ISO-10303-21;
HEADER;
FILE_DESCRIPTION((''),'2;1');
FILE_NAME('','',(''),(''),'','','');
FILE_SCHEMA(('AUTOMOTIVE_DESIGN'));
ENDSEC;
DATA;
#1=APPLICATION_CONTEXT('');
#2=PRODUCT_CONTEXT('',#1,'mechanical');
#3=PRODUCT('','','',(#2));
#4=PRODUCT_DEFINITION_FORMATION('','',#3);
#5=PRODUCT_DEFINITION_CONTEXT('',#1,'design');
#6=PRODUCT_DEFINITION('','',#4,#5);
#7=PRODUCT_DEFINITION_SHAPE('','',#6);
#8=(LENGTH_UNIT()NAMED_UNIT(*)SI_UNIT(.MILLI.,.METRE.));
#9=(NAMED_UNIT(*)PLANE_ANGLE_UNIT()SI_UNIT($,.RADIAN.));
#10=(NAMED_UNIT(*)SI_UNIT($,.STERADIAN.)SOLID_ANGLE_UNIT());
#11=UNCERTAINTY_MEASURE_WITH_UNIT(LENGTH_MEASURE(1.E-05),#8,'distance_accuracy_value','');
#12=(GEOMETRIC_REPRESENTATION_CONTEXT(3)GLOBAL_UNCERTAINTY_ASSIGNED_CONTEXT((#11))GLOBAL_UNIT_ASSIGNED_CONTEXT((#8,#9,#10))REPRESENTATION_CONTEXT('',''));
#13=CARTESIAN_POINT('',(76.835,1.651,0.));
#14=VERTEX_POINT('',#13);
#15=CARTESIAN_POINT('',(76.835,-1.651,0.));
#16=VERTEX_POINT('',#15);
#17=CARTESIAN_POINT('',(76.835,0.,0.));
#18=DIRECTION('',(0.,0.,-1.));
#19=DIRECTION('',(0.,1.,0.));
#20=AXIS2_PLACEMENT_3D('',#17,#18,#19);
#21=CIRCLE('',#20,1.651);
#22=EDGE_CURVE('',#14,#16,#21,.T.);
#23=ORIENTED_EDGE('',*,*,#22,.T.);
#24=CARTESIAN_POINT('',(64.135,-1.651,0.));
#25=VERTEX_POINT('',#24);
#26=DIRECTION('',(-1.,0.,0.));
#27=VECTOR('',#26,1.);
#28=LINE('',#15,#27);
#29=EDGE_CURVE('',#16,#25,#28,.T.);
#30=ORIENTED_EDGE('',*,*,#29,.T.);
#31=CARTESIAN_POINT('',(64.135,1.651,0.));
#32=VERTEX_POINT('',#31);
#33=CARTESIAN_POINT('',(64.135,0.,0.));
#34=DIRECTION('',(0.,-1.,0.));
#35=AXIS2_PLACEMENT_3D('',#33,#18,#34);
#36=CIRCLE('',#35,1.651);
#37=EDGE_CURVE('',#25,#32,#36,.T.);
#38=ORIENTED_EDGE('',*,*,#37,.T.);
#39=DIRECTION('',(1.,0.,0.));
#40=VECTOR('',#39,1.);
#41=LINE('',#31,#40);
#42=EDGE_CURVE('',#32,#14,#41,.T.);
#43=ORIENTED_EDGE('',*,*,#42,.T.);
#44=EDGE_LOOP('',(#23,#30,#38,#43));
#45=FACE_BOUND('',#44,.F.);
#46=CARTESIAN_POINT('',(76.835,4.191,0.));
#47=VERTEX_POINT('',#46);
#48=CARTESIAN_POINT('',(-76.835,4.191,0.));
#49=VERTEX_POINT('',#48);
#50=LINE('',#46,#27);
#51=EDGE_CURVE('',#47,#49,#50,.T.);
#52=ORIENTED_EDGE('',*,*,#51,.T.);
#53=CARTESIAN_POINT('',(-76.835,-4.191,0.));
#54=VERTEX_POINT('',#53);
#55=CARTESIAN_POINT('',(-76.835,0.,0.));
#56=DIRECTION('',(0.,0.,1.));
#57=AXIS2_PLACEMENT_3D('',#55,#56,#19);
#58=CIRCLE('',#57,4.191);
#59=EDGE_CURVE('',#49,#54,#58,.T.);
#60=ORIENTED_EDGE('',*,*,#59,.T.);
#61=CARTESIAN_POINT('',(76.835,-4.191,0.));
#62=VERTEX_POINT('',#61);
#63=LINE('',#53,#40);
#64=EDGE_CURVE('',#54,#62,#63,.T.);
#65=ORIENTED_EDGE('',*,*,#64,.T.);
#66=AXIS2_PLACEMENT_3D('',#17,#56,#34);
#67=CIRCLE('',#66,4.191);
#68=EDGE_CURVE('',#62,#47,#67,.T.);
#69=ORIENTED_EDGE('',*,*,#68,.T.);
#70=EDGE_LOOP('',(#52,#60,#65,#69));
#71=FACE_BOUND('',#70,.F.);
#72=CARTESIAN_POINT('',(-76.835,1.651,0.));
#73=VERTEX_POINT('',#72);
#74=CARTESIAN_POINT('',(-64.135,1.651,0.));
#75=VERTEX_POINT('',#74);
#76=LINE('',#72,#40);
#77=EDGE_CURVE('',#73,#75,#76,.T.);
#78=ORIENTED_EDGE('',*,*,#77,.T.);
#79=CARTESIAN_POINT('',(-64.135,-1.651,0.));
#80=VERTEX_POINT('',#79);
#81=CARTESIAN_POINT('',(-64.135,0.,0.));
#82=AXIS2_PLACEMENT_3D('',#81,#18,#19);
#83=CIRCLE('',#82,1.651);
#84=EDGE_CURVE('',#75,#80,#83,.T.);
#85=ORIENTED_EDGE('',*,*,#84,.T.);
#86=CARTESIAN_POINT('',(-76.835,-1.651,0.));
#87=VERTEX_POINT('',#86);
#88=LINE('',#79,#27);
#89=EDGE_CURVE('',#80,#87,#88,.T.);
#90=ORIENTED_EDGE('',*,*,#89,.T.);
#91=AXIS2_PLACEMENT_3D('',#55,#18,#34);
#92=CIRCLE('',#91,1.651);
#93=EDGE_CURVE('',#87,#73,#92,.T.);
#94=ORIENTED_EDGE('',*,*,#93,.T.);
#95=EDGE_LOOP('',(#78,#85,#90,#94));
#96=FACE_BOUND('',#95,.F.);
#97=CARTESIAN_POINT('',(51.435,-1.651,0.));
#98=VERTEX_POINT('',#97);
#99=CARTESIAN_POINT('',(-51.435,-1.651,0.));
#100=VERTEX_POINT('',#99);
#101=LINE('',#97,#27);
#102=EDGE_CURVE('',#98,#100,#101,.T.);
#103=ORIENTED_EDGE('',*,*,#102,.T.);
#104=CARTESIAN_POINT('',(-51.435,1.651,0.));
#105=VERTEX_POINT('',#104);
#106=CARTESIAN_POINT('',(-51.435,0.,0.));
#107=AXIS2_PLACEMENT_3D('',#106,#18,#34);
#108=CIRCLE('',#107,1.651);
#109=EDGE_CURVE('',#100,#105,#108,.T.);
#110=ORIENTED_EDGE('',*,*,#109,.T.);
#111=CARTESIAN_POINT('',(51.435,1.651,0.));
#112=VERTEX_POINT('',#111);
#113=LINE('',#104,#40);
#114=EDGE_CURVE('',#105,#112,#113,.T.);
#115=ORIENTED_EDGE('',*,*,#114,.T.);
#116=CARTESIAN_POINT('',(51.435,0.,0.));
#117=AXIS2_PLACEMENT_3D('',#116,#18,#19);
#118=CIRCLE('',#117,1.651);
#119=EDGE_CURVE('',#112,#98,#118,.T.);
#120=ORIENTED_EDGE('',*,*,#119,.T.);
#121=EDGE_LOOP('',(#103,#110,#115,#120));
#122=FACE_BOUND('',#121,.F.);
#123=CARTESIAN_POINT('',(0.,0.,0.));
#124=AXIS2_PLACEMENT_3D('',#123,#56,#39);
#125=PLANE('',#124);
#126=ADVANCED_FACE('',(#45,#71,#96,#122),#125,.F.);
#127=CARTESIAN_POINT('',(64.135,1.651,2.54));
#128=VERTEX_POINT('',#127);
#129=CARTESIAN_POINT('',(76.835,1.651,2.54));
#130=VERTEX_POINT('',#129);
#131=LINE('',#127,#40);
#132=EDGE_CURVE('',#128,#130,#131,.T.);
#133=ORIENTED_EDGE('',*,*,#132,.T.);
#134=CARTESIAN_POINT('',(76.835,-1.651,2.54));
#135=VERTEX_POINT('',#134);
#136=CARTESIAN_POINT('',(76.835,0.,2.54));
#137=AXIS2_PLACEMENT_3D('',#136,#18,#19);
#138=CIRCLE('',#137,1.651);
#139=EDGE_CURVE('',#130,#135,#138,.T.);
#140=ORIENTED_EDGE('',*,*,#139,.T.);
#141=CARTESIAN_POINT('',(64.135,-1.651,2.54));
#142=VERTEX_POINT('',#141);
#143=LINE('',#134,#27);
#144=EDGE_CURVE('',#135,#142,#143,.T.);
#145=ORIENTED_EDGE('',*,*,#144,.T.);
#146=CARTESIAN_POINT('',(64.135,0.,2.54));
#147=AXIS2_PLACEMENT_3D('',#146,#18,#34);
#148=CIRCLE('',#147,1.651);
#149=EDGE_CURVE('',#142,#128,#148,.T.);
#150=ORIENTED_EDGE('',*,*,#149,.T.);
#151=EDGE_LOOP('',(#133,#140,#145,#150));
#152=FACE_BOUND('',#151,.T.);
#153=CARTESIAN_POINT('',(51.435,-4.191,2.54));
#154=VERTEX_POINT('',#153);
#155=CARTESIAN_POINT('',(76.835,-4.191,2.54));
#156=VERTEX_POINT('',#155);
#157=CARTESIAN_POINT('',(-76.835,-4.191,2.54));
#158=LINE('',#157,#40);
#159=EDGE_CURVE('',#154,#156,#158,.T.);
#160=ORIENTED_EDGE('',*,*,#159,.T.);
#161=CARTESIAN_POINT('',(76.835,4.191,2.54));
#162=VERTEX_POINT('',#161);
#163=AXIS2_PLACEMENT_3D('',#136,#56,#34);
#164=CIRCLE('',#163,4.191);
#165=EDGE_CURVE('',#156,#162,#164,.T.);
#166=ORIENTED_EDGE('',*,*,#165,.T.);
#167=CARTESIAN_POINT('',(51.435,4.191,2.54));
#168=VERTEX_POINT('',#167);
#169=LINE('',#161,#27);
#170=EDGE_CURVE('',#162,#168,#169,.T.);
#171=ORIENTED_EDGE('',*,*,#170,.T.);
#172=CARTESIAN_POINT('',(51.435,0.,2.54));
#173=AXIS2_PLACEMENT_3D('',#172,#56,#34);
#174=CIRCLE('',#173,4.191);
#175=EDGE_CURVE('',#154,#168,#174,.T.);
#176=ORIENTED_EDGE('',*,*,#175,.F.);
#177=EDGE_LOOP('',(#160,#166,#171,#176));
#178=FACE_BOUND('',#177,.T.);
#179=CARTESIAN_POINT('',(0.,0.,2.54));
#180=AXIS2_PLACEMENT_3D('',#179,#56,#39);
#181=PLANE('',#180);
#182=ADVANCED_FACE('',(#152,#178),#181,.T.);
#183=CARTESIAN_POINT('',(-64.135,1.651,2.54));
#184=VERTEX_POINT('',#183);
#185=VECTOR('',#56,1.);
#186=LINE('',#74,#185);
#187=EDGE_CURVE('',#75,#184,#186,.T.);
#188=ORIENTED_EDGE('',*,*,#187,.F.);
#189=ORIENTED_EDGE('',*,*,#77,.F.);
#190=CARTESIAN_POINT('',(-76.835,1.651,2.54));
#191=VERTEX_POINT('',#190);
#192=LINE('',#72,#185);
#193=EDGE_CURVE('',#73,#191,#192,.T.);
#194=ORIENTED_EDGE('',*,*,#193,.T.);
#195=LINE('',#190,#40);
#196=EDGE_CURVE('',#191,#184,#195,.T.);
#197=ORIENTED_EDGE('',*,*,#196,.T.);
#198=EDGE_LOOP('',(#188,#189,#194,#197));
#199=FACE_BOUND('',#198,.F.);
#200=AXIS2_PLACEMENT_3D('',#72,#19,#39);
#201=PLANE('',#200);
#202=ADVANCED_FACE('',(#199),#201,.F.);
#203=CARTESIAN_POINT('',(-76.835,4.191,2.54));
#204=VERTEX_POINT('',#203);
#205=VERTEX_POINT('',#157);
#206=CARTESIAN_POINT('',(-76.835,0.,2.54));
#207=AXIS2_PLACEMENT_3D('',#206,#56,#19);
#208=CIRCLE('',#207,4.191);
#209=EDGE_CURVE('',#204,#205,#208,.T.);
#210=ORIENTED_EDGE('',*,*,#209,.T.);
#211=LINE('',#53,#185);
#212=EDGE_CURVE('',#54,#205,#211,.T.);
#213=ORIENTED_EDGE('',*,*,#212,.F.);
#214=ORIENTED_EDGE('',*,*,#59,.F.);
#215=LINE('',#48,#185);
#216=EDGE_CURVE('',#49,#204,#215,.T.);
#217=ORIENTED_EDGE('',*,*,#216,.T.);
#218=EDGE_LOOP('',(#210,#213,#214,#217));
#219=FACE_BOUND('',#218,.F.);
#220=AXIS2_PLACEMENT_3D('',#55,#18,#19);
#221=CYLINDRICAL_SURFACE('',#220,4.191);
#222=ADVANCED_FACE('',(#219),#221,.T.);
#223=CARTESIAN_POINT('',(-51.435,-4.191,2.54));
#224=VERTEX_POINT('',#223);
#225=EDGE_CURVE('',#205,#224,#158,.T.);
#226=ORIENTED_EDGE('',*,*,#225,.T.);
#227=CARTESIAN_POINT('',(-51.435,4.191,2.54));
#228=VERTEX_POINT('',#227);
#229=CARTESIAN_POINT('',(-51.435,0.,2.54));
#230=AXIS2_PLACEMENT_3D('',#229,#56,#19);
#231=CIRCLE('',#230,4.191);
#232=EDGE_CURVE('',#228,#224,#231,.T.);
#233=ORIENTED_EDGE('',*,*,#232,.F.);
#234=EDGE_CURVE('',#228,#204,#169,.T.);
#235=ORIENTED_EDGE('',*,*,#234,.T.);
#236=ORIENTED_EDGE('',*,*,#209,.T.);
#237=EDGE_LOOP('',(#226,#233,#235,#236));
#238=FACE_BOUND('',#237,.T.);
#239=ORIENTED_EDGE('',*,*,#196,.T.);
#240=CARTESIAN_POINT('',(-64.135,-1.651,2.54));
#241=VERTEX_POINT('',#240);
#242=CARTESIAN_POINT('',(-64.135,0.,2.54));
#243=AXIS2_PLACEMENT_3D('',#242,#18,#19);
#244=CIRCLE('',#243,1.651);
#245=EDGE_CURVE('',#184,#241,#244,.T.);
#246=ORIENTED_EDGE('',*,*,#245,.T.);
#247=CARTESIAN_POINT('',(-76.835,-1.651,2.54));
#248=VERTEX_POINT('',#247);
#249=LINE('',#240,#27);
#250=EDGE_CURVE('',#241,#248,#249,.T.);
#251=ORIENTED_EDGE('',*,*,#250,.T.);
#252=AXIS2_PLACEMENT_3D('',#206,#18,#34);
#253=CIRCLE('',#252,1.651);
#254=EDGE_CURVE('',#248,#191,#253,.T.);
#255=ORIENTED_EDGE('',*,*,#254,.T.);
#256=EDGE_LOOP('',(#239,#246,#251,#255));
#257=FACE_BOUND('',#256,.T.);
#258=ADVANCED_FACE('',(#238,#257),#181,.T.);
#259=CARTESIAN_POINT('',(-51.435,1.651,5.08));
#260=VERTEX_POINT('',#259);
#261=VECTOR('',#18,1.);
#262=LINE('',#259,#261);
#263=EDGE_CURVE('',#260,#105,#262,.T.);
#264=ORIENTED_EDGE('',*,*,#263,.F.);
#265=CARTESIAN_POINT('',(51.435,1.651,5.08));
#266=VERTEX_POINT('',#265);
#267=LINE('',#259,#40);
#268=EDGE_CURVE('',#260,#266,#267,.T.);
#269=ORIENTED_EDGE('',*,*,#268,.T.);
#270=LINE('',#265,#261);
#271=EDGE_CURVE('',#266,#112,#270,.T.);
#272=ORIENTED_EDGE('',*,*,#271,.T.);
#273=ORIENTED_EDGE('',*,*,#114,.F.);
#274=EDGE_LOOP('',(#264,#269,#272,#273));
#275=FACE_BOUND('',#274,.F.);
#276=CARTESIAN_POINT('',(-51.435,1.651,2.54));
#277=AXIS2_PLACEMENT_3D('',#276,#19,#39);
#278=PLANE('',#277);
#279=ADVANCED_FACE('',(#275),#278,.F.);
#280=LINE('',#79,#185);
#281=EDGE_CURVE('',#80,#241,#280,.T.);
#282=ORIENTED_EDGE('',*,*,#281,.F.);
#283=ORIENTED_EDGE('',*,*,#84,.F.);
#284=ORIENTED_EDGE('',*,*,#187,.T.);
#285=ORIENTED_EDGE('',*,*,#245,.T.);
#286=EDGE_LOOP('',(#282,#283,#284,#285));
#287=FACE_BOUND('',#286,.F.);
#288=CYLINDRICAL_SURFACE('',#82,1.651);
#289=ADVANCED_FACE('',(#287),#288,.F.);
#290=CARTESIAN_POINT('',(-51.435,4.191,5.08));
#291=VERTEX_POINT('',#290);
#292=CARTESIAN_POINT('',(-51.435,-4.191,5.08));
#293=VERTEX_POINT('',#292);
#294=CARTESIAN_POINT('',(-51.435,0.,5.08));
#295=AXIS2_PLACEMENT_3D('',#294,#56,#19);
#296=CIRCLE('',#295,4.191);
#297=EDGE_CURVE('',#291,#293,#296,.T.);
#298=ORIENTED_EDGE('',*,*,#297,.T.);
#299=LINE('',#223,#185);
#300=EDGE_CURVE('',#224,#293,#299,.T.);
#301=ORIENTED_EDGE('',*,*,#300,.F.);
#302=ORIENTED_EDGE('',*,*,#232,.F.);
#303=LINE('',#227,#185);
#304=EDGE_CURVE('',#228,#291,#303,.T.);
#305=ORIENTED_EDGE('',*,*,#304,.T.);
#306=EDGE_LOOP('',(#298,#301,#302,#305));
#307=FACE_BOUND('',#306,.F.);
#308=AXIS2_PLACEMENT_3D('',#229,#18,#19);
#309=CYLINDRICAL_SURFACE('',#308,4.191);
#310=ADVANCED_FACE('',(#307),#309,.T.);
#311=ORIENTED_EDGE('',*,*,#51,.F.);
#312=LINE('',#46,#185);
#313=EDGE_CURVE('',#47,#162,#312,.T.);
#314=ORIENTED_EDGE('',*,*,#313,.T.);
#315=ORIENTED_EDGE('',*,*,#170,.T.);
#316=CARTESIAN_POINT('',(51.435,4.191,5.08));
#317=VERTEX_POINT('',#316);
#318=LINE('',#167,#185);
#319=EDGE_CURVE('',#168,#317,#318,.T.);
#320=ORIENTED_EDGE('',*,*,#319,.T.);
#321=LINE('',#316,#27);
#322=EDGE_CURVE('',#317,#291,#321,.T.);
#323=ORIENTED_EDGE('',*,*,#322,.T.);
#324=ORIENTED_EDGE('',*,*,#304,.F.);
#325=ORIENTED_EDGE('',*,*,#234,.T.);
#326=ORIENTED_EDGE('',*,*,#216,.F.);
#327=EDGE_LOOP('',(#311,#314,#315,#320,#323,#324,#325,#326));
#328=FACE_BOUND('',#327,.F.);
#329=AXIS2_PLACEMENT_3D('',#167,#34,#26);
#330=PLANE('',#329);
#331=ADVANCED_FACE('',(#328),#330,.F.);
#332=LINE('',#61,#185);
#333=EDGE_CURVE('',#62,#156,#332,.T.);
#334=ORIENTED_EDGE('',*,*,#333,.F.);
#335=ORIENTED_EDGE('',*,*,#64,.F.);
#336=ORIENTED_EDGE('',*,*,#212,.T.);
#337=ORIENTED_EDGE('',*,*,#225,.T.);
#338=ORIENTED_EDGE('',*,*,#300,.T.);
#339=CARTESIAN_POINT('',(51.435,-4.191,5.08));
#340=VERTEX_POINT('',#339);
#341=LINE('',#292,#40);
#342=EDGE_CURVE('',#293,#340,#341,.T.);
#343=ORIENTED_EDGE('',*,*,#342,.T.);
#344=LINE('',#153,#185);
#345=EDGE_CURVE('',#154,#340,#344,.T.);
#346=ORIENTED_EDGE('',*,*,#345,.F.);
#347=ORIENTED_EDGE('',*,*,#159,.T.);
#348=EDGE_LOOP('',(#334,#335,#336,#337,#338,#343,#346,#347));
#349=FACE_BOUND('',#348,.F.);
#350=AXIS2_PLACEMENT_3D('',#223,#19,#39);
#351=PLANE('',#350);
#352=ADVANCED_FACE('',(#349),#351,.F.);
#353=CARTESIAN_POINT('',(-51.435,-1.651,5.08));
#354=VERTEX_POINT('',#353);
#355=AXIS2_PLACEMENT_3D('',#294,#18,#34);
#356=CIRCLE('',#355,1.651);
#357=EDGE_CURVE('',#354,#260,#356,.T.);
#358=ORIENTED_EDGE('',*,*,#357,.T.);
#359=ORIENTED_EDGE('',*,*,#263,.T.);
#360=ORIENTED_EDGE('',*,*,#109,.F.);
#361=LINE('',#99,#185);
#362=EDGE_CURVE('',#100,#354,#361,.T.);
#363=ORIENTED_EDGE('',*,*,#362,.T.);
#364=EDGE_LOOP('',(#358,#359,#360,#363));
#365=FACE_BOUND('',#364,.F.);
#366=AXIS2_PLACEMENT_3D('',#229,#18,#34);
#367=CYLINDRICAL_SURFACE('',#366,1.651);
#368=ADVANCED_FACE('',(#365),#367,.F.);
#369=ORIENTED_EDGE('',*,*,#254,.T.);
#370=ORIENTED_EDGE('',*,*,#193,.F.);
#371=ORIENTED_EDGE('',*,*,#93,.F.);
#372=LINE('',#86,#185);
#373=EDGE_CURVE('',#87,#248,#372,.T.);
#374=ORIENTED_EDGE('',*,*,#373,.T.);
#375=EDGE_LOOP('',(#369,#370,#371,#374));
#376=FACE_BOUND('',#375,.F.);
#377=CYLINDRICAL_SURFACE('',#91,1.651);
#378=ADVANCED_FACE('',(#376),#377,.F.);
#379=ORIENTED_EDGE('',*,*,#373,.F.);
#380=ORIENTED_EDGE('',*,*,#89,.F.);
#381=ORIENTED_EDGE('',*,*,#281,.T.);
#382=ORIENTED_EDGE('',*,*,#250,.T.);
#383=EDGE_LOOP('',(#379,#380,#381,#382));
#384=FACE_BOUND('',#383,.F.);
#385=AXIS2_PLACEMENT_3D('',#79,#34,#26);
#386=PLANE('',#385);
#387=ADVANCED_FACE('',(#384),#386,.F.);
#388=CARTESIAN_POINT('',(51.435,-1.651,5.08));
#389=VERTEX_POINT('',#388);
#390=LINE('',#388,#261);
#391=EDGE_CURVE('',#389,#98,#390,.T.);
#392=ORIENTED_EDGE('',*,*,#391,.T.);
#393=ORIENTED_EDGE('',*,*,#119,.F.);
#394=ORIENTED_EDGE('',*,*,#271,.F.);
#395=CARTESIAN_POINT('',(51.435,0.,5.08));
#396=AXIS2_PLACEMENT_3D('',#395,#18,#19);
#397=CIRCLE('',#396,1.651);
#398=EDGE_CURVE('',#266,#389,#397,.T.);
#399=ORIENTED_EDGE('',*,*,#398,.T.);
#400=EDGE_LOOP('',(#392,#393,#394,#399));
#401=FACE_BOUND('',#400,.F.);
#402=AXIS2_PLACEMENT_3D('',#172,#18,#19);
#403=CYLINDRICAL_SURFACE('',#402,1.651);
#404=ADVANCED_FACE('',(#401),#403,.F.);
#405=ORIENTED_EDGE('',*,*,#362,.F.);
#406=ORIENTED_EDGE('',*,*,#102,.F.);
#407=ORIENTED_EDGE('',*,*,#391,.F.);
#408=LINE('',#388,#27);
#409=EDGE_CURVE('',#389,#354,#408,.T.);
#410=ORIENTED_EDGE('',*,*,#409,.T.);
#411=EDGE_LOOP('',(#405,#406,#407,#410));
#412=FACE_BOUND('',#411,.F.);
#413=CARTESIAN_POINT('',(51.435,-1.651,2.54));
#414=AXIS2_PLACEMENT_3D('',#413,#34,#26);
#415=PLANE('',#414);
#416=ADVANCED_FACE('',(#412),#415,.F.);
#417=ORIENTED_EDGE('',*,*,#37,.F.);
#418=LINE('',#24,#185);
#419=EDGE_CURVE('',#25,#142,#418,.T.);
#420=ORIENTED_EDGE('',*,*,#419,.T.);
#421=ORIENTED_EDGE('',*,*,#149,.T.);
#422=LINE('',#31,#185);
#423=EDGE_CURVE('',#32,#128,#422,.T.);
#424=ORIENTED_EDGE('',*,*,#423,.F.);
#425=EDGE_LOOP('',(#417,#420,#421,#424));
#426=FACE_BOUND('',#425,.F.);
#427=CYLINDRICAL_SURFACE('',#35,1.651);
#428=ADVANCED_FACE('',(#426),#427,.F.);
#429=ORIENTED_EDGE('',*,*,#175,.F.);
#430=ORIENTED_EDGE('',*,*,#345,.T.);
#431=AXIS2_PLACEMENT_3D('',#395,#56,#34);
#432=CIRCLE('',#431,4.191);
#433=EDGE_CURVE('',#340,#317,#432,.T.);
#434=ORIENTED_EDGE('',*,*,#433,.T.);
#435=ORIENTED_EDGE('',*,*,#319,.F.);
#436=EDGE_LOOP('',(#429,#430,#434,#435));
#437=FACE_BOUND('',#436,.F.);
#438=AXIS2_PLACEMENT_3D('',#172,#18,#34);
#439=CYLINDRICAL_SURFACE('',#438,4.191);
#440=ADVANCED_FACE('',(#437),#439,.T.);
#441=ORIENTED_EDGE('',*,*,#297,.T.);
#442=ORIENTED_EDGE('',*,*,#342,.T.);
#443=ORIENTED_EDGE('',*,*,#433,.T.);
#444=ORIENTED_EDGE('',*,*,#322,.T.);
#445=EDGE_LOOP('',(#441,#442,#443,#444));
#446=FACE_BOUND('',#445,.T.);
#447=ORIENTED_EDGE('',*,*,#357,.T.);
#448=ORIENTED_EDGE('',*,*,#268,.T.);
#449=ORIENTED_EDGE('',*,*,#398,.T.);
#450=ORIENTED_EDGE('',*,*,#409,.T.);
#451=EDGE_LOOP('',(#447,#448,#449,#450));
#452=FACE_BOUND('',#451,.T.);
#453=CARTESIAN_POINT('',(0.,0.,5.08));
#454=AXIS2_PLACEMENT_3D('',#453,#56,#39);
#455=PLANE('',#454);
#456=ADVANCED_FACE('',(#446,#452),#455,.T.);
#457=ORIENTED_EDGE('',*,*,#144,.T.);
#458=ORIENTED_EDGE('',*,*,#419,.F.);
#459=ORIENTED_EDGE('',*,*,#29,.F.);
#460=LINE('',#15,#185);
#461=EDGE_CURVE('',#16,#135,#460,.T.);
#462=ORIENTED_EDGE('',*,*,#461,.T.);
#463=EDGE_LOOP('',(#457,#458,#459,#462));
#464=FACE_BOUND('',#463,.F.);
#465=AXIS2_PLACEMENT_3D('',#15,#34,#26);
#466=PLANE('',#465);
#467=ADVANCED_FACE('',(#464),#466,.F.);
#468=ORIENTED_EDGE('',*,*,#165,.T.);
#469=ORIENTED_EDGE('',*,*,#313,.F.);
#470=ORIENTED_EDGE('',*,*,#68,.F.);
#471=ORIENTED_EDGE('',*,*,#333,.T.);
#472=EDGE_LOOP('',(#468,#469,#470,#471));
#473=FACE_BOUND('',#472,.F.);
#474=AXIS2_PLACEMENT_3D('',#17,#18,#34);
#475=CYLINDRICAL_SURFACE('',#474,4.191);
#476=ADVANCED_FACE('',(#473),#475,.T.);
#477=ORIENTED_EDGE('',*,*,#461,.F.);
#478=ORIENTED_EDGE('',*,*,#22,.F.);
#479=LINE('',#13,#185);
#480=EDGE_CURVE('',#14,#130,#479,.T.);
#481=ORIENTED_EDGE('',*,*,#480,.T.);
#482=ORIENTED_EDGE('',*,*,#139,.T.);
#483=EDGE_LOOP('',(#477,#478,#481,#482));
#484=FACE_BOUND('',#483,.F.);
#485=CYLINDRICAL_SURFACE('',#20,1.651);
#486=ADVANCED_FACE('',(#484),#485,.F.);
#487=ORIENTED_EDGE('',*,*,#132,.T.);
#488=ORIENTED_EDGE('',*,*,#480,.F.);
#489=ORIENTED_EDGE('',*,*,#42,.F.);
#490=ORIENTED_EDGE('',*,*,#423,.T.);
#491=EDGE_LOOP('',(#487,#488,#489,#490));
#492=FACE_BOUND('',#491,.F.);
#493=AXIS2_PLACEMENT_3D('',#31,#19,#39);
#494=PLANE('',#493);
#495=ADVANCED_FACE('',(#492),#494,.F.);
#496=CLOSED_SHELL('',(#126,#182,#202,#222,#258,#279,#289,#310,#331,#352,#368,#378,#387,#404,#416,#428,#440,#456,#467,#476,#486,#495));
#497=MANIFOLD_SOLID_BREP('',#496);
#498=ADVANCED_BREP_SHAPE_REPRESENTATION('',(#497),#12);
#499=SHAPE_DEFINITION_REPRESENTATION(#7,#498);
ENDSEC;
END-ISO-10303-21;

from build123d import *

# Parameters (mm, degrees)
F1_DEPTH = 2.54
F3_DEPTH = 2.54


with BuildPart() as f1:
    # F0 (on Top) → F1 (new body)
    with BuildSketch(Plane.XY):
        with BuildLine():
            Line((76.835, 4.191), (-76.835, 4.191))
            ThreePointArc((-76.835, 4.191), (-81.026, 0), (-76.835, -4.191))
            Line((-76.835, -4.191), (76.835, -4.191))
            ThreePointArc((76.835, -4.191), (81.026, 0), (76.835, 4.191))
        make_face()
        with BuildLine():
            ThreePointArc((-76.835, -1.651), (-78.486, 0), (-76.835, 1.651))
            Line((-76.835, 1.651), (-64.135, 1.651))
            ThreePointArc((-64.135, 1.651), (-62.484, 0), (-64.135, -1.651))
            Line((-64.135, -1.651), (-76.835, -1.651))
        make_face(mode=Mode.SUBTRACT)
        with BuildLine():
            Line((51.435, -1.651), (-51.435, -1.651))
            ThreePointArc((-51.435, -1.651), (-53.086, 0), (-51.435, 1.651))
            Line((-51.435, 1.651), (51.435, 1.651))
            ThreePointArc((51.435, 1.651), (53.086, 0), (51.435, -1.651))
        make_face(mode=Mode.SUBTRACT)
        with BuildLine():
            ThreePointArc((76.835, 1.651), (78.486, 0), (76.835, -1.651))
            Line((76.835, -1.651), (64.135, -1.651))
            ThreePointArc((64.135, -1.651), (62.484, 0), (64.135, 1.651))
            Line((64.135, 1.651), (76.835, 1.651))
        make_face(mode=Mode.SUBTRACT)
    extrude(amount=F1_DEPTH)

    # F2 (on face) → F3 (join)
    with BuildSketch(Plane.XY.offset(2.54)):
        with BuildLine():
            Line((51.435, 4.191), (-51.435, 4.191))
            ThreePointArc((-51.435, 4.191), (-55.626, 0), (-51.435, -4.191))
            Line((-51.435, -4.191), (51.435, -4.191))
            ThreePointArc((51.435, -4.191), (55.626, 0), (51.435, 4.191))
        make_face()
        with BuildLine():
            ThreePointArc((-51.435, -1.651), (-53.086, 0), (-51.435, 1.651))
            Line((-51.435, 1.651), (51.435, 1.651))
            ThreePointArc((51.435, 1.651), (53.086, 0), (51.435, -1.651))
            Line((51.435, -1.651), (-51.435, -1.651))
        make_face(mode=Mode.SUBTRACT)
    extrude(amount=F3_DEPTH)


solid = f1.part
